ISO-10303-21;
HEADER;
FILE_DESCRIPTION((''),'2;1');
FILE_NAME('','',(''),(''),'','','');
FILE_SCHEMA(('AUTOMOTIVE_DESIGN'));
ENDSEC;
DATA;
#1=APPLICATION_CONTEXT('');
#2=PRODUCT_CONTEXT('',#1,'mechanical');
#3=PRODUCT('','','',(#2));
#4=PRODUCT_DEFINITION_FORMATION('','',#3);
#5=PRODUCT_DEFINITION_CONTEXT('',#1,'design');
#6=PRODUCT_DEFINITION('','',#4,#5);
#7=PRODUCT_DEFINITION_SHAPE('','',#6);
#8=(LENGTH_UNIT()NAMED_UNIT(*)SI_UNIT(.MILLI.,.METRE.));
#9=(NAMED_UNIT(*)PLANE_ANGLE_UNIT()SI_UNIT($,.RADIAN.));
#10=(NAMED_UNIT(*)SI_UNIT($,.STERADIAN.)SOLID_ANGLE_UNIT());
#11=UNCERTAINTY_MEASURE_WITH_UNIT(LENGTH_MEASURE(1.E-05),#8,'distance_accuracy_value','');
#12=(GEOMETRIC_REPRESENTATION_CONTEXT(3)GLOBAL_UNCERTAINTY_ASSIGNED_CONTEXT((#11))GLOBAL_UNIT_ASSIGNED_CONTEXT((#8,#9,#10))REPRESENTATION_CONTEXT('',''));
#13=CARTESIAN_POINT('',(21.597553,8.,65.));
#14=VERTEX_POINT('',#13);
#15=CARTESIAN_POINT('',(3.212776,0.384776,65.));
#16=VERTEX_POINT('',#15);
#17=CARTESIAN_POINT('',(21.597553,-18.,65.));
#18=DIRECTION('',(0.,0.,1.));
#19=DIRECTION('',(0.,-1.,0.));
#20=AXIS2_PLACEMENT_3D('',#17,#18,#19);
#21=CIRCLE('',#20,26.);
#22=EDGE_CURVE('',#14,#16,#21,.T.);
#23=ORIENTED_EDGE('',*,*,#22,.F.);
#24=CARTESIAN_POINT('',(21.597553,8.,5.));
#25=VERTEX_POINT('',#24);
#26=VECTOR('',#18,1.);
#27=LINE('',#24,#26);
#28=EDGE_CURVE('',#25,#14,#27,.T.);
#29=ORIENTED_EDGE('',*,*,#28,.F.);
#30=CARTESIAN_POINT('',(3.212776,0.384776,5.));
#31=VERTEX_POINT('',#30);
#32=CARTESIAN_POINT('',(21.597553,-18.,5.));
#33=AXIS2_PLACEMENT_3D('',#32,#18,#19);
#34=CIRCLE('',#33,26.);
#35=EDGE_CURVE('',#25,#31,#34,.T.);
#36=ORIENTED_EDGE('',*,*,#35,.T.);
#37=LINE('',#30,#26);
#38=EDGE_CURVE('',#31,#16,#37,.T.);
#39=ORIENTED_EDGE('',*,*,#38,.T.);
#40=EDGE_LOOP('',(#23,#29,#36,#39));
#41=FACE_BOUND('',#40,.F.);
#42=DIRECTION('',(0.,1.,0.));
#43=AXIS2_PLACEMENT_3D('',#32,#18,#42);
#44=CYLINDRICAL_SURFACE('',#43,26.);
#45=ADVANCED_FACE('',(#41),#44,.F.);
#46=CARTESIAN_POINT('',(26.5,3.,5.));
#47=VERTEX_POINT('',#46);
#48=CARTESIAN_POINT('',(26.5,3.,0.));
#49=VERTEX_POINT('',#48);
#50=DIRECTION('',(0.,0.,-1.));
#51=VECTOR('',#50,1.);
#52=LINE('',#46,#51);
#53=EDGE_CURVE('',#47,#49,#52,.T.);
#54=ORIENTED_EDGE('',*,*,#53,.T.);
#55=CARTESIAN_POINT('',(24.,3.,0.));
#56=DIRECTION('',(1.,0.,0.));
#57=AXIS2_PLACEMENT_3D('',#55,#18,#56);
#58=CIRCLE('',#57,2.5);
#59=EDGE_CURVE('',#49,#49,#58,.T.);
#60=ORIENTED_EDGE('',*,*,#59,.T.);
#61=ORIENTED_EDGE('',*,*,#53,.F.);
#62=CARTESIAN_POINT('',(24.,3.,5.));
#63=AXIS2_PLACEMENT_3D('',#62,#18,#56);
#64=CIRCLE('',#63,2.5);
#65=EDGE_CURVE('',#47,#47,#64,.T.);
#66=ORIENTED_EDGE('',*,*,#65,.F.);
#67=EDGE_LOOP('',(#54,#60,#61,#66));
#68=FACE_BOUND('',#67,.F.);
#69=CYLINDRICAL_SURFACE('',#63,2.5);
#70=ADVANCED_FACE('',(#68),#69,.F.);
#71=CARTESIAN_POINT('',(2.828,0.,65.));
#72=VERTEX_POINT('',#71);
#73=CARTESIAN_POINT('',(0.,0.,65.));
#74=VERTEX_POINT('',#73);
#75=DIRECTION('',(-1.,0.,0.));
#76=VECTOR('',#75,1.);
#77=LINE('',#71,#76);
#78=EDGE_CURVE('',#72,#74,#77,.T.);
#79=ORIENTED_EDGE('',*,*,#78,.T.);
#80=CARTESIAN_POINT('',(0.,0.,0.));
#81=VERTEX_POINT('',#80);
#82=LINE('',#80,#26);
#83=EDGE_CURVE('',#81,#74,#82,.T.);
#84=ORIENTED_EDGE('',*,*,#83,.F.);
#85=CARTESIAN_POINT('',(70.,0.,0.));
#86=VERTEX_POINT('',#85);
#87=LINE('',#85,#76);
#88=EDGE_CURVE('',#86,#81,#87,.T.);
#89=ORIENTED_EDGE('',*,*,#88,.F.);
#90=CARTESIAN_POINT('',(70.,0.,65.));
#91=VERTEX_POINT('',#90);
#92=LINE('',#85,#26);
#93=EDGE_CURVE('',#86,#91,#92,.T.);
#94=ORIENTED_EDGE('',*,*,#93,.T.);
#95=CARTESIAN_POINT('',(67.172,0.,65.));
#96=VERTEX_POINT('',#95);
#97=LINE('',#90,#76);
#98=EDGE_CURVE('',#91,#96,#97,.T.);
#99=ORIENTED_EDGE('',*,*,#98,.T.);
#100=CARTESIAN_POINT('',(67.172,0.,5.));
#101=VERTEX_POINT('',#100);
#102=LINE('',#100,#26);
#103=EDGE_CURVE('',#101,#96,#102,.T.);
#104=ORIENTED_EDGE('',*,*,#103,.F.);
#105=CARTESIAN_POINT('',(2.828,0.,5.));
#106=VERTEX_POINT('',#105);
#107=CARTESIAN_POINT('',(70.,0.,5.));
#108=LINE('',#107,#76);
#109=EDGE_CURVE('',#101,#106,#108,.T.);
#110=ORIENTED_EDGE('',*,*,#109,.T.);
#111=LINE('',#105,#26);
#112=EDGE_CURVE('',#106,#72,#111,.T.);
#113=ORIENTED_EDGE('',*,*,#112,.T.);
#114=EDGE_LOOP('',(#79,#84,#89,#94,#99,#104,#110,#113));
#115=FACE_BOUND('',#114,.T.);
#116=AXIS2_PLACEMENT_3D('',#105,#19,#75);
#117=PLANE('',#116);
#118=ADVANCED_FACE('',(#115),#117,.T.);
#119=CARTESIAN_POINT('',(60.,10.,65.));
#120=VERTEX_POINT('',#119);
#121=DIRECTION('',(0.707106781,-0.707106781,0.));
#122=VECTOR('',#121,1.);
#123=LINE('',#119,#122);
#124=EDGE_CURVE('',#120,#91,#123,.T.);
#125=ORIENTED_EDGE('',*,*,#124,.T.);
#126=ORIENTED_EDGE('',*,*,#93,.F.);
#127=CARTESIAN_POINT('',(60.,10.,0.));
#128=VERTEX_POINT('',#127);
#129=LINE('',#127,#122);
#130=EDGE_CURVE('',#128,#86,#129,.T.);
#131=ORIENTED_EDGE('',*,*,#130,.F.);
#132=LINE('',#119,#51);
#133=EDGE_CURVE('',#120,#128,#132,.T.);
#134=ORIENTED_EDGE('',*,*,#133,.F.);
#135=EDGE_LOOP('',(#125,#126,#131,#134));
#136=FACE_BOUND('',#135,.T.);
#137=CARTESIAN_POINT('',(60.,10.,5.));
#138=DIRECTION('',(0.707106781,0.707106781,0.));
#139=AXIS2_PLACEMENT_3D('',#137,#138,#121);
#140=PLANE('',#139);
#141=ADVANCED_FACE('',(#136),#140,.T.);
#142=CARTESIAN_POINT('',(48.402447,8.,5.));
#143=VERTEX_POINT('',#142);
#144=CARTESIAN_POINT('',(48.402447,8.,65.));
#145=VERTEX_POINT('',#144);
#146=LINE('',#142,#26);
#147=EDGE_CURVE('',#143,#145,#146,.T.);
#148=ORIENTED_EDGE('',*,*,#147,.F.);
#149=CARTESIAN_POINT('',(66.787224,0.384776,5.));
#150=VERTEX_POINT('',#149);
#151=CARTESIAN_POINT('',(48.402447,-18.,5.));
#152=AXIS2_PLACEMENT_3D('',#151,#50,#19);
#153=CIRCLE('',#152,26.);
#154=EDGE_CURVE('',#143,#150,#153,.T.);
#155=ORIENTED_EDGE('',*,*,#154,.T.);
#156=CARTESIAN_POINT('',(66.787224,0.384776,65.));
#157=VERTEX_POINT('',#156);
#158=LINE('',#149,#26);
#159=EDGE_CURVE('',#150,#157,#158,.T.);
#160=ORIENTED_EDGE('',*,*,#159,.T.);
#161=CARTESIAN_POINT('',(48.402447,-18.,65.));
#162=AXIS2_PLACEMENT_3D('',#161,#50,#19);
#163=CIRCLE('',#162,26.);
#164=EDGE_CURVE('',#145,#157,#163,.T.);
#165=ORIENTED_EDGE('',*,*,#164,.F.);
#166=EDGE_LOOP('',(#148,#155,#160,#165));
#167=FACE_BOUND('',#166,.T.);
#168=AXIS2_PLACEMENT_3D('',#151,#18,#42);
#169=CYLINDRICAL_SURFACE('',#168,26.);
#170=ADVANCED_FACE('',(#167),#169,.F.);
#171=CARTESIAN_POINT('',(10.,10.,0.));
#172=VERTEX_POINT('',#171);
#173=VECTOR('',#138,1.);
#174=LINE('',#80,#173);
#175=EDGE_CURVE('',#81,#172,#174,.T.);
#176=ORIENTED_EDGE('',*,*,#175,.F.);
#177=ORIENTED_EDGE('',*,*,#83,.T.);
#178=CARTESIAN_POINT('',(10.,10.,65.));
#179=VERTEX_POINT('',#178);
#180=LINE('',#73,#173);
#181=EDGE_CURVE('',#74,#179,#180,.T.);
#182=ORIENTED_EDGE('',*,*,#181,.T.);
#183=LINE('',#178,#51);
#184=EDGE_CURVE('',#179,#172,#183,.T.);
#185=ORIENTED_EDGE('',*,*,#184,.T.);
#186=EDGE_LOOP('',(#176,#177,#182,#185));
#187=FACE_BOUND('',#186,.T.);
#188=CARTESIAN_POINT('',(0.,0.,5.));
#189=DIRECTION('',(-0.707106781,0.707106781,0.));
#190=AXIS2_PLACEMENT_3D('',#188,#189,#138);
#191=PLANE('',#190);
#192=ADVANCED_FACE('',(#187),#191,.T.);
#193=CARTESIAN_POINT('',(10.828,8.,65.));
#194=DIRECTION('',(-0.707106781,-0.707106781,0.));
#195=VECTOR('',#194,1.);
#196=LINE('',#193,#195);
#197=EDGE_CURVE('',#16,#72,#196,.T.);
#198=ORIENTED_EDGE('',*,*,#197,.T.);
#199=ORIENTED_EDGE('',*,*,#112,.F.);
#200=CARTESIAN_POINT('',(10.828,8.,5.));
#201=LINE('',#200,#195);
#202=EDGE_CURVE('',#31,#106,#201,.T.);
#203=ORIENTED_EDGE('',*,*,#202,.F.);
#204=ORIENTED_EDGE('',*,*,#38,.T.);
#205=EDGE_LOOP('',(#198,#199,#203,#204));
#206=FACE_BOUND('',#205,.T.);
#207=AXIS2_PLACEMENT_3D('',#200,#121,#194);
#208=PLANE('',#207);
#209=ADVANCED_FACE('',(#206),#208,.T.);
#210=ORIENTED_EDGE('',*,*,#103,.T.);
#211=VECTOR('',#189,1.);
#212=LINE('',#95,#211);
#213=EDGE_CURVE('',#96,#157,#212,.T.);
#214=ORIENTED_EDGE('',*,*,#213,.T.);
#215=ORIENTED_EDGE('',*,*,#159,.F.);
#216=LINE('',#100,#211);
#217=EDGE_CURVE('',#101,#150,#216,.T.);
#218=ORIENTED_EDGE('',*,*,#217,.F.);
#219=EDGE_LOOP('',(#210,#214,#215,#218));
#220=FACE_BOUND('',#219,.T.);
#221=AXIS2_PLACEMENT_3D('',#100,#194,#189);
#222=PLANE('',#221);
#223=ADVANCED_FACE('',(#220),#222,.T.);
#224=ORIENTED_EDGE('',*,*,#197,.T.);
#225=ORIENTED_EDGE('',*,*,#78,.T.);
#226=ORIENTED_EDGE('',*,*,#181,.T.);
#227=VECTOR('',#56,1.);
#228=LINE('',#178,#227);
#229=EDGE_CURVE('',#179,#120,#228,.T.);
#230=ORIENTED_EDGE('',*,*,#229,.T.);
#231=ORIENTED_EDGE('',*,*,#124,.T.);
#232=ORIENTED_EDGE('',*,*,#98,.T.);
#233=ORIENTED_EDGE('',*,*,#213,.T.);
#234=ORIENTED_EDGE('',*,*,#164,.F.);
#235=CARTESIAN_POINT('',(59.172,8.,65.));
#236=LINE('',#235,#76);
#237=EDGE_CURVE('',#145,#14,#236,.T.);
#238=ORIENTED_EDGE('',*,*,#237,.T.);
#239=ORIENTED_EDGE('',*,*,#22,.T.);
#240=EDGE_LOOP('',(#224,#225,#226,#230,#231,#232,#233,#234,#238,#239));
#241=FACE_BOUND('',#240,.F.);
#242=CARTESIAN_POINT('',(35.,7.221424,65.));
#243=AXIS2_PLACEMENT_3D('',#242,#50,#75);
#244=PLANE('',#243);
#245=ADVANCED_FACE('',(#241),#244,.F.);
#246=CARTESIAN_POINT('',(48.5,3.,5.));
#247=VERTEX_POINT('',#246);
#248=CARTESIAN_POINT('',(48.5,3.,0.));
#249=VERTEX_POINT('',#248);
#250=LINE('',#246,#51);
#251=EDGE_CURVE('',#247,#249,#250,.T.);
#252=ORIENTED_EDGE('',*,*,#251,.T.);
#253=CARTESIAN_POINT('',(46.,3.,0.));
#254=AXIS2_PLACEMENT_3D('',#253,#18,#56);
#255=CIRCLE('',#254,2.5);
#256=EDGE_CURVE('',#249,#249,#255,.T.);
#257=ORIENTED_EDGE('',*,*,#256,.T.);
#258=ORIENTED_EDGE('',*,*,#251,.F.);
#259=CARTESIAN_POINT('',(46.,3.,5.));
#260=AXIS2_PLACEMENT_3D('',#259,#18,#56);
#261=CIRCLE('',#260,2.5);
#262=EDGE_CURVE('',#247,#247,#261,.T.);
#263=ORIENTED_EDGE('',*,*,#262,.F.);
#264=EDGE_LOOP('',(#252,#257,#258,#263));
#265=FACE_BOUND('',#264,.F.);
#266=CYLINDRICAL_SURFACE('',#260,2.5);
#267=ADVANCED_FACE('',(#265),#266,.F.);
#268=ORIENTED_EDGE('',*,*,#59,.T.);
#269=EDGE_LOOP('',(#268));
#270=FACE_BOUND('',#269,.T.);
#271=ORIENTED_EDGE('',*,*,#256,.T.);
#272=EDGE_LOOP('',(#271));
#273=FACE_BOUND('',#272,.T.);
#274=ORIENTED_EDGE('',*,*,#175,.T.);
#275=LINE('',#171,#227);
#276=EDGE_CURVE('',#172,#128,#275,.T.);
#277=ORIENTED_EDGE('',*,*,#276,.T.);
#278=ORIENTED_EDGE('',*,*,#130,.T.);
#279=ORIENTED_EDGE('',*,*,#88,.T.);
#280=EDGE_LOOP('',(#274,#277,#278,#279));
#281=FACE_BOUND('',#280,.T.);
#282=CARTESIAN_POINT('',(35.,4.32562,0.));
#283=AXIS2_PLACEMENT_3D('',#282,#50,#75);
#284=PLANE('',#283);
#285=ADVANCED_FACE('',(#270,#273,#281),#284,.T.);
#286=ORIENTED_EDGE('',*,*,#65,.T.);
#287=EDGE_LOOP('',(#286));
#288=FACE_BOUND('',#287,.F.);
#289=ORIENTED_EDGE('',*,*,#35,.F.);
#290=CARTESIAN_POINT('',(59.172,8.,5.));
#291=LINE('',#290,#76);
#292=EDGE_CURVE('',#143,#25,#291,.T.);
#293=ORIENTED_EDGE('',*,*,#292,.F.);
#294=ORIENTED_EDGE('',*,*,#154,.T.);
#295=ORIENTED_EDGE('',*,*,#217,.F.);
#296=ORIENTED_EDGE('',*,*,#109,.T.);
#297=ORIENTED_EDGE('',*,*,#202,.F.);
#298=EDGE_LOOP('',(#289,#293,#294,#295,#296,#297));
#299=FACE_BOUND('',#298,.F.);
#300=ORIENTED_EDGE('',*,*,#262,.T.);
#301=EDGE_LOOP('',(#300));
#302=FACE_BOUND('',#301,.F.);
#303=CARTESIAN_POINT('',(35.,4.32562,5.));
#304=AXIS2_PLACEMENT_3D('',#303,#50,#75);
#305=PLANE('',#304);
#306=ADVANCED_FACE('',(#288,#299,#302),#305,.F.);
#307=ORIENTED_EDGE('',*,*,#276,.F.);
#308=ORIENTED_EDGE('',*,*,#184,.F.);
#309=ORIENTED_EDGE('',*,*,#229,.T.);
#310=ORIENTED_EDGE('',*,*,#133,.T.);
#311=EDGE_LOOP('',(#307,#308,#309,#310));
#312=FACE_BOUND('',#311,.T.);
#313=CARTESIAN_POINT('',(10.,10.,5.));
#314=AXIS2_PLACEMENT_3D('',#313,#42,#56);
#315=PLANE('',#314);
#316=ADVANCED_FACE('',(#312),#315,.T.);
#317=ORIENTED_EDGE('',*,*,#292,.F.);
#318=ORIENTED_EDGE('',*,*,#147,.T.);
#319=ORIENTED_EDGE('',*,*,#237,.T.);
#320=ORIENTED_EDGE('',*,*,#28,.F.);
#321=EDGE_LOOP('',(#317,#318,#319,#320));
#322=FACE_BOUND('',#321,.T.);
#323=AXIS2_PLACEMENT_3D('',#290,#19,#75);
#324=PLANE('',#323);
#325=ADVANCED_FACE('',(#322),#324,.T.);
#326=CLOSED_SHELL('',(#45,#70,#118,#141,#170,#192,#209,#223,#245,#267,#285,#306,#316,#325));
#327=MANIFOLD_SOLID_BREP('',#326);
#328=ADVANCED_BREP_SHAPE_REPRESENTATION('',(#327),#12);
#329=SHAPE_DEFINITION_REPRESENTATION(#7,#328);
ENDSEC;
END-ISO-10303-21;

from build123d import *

# Parameters (mm, degrees)
PAD_DEPTH    = 5
PAD001_DEPTH = 60
FILLET_R     = 26
SKETCH002_R  = 2.5
POCKET_DEPTH = 5


with BuildPart() as part:
    # Sketch → Pad (new body)
    with BuildSketch(Plane.XY):
        Polygon((0, 0), (10, 10), (60, 10), (70, 0), align=None)
    extrude(amount=PAD_DEPTH)

    # Sketch001 (on Face6 of Pad) → Pad001 (join)
    with BuildSketch(Plane.XY.offset(5)):
        Polygon((0, 0), (10, 10), (60, 10), (70, 0), (67.172, 0), (59.172, 8), (10.828, 8), (2.828, 0), align=None)
    extrude(amount=PAD001_DEPTH)

    # Fillet
    fillet_edges = [part.edges().sort_by_distance(p)[0] for p in [
        (59.172, 8, 35),
        (10.828, 8, 35),
    ]]
    fillet(fillet_edges, radius=FILLET_R)

    # Sketch002 (on Face1 of Fillet) → Pocket (cut)
    with BuildSketch(Plane.XY.offset(5)):
        with Locations((24, 3)):
            Circle(SKETCH002_R)
        with Locations((46, 3)):
            Circle(SKETCH002_R)
    extrude(amount=-POCKET_DEPTH, mode=Mode.SUBTRACT)


solid = part.part
